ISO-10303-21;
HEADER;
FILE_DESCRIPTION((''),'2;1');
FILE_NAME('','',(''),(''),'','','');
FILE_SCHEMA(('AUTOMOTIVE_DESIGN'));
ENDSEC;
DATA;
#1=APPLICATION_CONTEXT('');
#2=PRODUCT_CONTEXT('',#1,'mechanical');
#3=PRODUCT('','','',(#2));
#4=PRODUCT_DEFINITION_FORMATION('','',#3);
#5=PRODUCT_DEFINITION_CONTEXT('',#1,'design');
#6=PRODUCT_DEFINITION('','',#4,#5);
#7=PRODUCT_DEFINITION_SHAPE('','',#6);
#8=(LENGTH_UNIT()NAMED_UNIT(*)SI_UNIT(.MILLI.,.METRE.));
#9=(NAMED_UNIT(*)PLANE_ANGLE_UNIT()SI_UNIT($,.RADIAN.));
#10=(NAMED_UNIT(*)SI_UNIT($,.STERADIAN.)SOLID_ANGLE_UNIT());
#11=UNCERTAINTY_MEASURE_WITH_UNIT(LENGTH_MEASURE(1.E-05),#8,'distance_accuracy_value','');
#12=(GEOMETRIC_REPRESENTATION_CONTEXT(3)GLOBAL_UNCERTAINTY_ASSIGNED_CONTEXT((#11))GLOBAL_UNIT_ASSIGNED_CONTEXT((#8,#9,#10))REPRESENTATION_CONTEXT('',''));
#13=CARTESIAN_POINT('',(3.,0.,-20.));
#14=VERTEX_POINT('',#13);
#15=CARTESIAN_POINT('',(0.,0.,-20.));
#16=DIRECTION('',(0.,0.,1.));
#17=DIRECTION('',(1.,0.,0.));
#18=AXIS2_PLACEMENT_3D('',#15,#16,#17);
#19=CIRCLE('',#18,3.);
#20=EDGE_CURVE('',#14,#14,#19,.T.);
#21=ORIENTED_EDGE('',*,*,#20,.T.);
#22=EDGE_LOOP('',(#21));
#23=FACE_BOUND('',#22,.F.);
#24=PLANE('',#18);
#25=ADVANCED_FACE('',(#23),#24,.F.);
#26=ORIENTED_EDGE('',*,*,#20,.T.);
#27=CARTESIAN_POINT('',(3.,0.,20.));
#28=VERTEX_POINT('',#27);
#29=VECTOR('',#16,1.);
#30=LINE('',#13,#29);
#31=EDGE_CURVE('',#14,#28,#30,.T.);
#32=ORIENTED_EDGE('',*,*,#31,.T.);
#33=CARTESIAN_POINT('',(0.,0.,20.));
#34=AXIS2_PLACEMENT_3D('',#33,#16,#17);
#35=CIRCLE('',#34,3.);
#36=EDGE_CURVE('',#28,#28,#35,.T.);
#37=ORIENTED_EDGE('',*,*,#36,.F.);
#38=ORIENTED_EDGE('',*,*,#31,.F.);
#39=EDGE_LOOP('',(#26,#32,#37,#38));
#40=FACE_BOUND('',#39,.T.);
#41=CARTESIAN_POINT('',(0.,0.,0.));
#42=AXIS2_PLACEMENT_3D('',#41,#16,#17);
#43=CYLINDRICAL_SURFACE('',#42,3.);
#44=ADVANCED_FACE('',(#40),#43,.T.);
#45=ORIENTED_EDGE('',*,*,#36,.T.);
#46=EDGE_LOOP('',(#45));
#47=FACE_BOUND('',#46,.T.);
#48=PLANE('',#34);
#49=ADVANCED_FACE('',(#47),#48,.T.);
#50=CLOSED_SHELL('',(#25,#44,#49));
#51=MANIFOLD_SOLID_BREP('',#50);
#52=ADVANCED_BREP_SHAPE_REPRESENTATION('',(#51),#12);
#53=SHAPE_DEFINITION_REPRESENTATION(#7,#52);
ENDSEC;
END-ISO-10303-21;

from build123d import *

# Parameters (mm, degrees)
ESQUISSE1_R        = 3
BOSS_EXTRU_1_DEPTH = 20


with BuildPart() as part:
    # Esquisse1 → Boss.-Extru.1 (new body, symmetric)
    with BuildSketch(Plane.XY):
        Circle(ESQUISSE1_R)
    extrude(amount=BOSS_EXTRU_1_DEPTH, both=True)


solid = part.part
